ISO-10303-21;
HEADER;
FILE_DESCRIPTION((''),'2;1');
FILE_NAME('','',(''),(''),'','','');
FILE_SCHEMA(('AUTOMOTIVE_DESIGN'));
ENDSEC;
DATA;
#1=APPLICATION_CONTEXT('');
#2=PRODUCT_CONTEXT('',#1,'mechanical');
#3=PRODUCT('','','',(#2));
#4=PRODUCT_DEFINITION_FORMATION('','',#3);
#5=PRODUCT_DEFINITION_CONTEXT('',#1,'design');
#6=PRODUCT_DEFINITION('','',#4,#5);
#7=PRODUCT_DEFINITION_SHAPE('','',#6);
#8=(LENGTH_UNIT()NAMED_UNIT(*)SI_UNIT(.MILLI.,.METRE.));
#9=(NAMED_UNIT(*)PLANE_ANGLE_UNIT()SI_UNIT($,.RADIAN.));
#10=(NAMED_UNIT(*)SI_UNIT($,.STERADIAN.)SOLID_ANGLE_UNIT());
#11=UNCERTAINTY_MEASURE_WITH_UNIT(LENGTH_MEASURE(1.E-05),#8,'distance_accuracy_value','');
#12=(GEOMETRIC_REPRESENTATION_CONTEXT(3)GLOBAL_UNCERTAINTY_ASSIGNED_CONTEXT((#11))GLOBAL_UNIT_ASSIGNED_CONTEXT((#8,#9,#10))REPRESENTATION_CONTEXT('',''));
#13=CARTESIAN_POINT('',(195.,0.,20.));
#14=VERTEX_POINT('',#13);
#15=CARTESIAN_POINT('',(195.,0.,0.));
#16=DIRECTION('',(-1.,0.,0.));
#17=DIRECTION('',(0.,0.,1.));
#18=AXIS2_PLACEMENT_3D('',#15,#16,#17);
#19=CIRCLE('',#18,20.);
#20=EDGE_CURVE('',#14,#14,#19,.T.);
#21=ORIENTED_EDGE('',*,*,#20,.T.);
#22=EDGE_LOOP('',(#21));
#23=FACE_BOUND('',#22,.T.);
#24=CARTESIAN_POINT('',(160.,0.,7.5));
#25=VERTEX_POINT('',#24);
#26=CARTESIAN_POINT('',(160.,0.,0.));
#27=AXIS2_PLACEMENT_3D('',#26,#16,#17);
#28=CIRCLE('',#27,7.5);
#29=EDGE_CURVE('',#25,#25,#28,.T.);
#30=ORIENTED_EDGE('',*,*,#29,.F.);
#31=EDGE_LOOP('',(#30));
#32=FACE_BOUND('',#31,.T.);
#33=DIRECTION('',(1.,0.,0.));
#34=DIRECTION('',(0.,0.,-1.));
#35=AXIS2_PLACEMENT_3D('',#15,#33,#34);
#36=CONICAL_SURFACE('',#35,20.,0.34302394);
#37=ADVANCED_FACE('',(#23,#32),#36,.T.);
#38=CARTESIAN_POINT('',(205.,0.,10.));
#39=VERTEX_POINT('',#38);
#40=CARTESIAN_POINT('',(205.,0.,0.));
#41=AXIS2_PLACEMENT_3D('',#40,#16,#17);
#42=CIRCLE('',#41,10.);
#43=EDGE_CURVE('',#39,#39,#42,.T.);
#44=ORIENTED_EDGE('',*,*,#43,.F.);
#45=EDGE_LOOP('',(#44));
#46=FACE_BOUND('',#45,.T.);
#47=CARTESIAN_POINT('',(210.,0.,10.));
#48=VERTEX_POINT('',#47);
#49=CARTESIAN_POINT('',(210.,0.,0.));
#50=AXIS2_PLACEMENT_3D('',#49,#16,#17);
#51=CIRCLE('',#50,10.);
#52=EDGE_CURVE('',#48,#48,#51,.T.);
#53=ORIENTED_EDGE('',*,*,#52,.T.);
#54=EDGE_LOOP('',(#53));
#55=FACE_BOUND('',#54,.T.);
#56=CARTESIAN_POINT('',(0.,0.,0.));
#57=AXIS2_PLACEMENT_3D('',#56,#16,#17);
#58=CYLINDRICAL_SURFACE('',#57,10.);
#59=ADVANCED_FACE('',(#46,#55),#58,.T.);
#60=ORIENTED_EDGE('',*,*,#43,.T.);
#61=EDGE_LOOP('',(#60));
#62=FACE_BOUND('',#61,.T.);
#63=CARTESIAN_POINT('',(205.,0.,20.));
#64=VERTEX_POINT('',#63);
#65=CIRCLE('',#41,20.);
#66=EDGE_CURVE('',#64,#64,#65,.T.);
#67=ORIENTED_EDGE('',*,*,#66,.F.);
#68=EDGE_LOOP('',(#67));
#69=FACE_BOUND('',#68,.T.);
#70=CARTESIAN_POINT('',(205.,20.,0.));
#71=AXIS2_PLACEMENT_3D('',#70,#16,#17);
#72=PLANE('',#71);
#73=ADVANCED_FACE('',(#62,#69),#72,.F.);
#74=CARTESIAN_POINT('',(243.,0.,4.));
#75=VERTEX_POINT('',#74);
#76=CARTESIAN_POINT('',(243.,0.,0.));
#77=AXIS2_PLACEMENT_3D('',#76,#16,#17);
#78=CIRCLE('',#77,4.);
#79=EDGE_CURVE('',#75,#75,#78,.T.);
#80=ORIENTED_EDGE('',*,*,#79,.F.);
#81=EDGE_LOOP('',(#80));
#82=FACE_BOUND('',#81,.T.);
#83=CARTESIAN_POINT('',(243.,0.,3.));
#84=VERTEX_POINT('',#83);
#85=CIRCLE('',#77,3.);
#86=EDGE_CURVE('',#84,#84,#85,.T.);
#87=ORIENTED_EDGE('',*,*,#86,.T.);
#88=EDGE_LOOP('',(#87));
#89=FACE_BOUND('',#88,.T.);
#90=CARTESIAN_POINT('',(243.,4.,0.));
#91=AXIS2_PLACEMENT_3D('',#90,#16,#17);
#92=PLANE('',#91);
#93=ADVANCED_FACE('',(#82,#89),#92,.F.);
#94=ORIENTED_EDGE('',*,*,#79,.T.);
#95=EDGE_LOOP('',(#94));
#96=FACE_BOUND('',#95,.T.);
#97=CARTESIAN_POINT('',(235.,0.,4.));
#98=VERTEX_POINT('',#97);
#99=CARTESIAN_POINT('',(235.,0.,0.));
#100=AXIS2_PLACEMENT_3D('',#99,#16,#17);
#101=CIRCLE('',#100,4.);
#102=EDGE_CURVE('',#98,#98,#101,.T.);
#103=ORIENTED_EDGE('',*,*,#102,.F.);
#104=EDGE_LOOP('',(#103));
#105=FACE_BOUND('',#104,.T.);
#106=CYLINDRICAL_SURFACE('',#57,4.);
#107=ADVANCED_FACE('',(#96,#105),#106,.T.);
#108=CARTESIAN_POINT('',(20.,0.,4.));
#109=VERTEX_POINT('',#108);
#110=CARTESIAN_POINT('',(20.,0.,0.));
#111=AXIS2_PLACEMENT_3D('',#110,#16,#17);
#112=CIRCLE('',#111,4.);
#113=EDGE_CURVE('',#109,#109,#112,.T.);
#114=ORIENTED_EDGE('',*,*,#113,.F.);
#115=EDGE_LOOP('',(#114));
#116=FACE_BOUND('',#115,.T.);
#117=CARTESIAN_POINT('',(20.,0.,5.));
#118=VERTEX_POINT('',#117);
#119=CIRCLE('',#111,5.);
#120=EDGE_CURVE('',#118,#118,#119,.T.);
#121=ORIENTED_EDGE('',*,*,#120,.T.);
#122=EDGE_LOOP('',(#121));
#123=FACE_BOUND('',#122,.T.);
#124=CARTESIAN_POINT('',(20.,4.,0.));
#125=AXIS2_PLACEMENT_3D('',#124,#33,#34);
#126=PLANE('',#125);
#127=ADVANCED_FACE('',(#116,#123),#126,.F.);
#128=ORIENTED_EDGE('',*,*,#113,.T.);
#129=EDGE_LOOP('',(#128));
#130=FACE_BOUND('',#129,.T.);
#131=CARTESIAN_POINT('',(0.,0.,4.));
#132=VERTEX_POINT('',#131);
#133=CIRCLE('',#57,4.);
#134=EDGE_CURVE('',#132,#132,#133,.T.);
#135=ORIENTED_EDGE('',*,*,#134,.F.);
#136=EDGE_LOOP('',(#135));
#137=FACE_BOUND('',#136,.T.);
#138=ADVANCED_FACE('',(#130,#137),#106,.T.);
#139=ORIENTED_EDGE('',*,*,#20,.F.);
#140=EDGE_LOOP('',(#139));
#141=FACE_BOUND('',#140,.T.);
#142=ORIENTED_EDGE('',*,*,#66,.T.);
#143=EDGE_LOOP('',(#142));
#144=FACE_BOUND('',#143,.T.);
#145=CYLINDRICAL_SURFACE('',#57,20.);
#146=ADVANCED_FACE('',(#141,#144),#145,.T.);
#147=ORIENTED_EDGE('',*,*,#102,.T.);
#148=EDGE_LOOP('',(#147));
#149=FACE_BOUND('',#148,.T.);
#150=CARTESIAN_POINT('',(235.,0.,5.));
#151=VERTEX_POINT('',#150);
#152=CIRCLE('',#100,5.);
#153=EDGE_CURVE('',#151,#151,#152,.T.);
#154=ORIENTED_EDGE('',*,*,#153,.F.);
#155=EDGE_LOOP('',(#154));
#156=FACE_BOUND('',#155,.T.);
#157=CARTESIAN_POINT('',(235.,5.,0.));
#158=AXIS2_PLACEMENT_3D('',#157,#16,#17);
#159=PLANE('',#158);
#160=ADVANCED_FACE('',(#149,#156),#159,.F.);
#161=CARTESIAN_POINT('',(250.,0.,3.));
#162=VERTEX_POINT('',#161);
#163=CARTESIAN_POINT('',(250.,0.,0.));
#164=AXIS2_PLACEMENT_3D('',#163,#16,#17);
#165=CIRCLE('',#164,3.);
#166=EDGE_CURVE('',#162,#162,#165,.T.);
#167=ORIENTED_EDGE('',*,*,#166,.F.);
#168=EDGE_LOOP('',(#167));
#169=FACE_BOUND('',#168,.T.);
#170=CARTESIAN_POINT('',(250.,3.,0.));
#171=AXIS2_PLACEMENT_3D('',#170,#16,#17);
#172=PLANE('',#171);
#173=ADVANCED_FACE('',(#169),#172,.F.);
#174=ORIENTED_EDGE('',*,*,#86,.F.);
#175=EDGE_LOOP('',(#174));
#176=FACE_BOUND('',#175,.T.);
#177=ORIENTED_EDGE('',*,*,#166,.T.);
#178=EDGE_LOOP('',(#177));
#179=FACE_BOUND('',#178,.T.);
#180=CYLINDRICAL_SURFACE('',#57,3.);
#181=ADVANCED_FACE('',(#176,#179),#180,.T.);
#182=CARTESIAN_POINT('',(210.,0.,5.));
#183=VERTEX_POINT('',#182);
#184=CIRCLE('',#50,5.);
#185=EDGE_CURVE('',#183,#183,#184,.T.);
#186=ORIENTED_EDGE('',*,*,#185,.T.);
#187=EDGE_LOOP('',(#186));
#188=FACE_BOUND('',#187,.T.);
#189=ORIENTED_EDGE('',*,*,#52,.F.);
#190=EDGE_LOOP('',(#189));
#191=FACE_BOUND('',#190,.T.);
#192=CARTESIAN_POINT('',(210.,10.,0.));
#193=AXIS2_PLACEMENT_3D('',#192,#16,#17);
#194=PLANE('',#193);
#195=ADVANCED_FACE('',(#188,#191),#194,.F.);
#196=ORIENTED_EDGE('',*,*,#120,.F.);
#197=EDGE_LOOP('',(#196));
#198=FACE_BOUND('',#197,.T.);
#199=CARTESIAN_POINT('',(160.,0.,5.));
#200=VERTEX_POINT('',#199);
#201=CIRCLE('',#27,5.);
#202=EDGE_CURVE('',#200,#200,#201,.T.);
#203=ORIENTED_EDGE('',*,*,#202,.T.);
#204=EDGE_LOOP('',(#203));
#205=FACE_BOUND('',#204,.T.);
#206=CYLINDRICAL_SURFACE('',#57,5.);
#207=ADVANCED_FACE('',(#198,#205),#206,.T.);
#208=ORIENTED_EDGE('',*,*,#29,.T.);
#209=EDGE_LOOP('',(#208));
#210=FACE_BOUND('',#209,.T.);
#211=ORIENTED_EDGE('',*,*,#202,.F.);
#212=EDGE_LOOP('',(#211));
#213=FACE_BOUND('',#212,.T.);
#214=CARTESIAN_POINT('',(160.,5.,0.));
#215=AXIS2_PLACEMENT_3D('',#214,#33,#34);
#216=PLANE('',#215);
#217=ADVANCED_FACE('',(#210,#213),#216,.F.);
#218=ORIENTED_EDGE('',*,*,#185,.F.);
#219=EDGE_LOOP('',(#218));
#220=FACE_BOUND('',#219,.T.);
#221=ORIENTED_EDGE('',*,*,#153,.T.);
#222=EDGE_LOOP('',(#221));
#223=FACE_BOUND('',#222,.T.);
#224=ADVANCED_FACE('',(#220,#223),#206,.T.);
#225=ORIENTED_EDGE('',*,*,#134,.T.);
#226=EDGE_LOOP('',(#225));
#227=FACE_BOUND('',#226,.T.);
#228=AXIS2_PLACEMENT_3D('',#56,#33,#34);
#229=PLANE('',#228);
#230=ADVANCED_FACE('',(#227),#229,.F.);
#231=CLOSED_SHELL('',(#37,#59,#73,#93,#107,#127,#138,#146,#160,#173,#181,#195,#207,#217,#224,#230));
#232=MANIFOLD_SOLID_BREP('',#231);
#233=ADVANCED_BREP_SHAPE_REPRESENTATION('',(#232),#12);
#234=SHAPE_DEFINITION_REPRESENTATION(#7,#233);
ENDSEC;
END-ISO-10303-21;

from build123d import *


with BuildPart() as part:
    # Sketch2 → Revolve6 (revolve)
    with BuildSketch(Plane.XY, mode=Mode.PRIVATE) as revolve6_sk:
        Polygon((0, 0), (0, 4), (20, 4), (20, 5), (130, 5), (160, 5), (160, 7.5), (195, 20), (205, 20), (205, 10), (210, 10), (210, 5), (235, 5), (235, 4), (243, 4), (243, 3), (250, 3), (250, 0), align=None)
    revolve(revolve6_sk.sketch.rotate(Axis((0, 0, 0), (1, 0, 0)), 90), axis=Axis((0, 0, 0), (1, 0, 0)))  # turned: the seam where the file's is


solid = part.part
